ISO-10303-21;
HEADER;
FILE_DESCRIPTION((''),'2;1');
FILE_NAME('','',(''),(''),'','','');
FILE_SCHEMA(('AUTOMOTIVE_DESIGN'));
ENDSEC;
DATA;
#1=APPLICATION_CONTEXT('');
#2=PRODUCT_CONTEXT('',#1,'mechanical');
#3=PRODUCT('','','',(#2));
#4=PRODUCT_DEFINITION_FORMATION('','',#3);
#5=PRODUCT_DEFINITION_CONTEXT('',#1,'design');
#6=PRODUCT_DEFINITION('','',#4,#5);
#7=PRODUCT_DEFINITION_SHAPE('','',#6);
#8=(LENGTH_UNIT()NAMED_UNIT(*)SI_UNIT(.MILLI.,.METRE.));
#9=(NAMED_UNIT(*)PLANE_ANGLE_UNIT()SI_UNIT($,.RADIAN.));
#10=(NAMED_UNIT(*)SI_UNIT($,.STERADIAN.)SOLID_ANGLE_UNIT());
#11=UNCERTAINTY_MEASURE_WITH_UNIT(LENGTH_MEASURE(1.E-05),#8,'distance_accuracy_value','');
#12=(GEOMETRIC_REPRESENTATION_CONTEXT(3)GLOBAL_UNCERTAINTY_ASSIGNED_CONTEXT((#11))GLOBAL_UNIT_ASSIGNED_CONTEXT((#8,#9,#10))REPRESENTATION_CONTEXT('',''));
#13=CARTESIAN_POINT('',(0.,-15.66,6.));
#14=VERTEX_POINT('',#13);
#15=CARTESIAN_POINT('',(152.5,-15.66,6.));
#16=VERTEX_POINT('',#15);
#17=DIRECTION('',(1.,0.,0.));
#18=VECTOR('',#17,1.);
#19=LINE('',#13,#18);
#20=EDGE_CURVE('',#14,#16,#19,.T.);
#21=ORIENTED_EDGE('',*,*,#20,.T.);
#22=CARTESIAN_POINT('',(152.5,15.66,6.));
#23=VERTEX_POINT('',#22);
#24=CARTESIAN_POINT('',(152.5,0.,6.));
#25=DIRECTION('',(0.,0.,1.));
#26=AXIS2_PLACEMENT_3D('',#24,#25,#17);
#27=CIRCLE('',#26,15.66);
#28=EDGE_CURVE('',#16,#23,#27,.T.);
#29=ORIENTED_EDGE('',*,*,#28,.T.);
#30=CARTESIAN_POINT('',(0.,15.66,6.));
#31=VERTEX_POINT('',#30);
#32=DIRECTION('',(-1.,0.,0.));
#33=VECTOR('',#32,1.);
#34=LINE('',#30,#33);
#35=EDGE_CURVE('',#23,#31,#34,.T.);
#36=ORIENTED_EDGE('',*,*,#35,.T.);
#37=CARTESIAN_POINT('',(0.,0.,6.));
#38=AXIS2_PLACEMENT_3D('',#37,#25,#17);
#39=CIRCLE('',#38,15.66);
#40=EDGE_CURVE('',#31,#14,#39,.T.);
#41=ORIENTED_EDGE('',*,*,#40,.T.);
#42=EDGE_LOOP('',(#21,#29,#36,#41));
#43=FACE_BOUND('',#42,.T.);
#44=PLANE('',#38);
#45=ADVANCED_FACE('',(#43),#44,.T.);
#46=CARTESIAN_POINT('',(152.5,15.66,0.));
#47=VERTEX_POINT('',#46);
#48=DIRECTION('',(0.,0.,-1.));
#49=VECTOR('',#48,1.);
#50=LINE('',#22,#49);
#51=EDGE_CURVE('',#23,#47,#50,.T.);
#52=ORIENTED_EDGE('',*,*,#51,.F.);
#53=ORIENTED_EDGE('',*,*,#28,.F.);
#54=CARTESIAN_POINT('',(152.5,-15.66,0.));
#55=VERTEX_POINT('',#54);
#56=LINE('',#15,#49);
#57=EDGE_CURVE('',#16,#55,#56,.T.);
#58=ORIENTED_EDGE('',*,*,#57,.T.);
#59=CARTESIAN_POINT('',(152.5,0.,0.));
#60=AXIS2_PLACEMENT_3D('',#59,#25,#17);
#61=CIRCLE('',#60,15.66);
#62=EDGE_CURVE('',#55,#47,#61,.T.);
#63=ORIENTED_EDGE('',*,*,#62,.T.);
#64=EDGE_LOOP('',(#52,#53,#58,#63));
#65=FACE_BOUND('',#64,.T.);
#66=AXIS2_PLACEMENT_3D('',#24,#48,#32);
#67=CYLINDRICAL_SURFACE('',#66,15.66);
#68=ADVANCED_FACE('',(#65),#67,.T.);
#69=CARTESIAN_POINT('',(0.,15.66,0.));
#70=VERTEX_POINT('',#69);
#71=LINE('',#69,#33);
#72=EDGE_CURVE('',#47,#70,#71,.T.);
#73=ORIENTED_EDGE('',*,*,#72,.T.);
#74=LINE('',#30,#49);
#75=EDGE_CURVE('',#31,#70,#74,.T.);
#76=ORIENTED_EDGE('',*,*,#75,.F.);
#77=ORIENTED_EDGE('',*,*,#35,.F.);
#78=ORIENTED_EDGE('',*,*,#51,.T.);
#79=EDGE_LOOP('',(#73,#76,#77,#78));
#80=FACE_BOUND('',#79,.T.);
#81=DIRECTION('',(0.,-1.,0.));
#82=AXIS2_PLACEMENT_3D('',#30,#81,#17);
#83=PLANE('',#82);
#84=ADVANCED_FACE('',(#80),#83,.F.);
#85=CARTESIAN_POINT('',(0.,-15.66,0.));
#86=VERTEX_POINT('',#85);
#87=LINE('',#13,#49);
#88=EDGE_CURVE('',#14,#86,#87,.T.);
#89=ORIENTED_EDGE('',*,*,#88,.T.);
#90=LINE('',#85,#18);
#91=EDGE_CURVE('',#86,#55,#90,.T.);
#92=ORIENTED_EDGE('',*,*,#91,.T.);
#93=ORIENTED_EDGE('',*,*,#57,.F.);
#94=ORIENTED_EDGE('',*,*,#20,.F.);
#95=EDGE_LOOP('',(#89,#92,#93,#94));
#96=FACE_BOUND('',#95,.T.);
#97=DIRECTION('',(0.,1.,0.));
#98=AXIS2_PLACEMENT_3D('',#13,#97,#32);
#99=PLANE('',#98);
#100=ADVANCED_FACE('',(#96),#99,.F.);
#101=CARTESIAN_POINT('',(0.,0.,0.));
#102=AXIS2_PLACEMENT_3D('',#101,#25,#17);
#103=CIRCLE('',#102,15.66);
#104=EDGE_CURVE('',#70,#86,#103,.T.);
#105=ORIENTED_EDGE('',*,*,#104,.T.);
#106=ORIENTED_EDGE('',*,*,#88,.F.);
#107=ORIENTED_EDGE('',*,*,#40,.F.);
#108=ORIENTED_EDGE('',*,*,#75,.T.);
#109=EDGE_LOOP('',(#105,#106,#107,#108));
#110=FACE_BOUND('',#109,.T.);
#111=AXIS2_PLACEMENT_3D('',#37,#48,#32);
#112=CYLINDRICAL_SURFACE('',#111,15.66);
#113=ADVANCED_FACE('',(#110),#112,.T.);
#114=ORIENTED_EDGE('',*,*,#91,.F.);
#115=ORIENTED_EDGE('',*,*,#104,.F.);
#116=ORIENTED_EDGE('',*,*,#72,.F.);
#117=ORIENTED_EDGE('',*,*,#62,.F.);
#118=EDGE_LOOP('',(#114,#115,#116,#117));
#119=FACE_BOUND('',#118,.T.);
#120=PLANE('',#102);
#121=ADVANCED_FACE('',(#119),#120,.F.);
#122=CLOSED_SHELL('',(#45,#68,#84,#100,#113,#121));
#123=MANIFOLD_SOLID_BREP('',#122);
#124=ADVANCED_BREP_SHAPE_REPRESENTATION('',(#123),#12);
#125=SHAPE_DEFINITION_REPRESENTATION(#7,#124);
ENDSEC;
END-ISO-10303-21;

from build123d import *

# Parameters (mm, degrees)
SALIENTE_EXTRUIR1_DEPTH = 6


with BuildPart() as part:
    # Croquis1 → Saliente-Extruir1 (new body)
    with BuildSketch(Plane.XY):
        with BuildLine():
            Line((0, 15.66), (152.5, 15.66))
            ThreePointArc((152.5, 15.66), (168.16, 0), (152.5, -15.66))
            Line((152.5, -15.66), (0, -15.66))
            ThreePointArc((0, -15.66), (-15.66, 0), (0, 15.66))
        make_face()
    extrude(amount=SALIENTE_EXTRUIR1_DEPTH)


solid = part.part
